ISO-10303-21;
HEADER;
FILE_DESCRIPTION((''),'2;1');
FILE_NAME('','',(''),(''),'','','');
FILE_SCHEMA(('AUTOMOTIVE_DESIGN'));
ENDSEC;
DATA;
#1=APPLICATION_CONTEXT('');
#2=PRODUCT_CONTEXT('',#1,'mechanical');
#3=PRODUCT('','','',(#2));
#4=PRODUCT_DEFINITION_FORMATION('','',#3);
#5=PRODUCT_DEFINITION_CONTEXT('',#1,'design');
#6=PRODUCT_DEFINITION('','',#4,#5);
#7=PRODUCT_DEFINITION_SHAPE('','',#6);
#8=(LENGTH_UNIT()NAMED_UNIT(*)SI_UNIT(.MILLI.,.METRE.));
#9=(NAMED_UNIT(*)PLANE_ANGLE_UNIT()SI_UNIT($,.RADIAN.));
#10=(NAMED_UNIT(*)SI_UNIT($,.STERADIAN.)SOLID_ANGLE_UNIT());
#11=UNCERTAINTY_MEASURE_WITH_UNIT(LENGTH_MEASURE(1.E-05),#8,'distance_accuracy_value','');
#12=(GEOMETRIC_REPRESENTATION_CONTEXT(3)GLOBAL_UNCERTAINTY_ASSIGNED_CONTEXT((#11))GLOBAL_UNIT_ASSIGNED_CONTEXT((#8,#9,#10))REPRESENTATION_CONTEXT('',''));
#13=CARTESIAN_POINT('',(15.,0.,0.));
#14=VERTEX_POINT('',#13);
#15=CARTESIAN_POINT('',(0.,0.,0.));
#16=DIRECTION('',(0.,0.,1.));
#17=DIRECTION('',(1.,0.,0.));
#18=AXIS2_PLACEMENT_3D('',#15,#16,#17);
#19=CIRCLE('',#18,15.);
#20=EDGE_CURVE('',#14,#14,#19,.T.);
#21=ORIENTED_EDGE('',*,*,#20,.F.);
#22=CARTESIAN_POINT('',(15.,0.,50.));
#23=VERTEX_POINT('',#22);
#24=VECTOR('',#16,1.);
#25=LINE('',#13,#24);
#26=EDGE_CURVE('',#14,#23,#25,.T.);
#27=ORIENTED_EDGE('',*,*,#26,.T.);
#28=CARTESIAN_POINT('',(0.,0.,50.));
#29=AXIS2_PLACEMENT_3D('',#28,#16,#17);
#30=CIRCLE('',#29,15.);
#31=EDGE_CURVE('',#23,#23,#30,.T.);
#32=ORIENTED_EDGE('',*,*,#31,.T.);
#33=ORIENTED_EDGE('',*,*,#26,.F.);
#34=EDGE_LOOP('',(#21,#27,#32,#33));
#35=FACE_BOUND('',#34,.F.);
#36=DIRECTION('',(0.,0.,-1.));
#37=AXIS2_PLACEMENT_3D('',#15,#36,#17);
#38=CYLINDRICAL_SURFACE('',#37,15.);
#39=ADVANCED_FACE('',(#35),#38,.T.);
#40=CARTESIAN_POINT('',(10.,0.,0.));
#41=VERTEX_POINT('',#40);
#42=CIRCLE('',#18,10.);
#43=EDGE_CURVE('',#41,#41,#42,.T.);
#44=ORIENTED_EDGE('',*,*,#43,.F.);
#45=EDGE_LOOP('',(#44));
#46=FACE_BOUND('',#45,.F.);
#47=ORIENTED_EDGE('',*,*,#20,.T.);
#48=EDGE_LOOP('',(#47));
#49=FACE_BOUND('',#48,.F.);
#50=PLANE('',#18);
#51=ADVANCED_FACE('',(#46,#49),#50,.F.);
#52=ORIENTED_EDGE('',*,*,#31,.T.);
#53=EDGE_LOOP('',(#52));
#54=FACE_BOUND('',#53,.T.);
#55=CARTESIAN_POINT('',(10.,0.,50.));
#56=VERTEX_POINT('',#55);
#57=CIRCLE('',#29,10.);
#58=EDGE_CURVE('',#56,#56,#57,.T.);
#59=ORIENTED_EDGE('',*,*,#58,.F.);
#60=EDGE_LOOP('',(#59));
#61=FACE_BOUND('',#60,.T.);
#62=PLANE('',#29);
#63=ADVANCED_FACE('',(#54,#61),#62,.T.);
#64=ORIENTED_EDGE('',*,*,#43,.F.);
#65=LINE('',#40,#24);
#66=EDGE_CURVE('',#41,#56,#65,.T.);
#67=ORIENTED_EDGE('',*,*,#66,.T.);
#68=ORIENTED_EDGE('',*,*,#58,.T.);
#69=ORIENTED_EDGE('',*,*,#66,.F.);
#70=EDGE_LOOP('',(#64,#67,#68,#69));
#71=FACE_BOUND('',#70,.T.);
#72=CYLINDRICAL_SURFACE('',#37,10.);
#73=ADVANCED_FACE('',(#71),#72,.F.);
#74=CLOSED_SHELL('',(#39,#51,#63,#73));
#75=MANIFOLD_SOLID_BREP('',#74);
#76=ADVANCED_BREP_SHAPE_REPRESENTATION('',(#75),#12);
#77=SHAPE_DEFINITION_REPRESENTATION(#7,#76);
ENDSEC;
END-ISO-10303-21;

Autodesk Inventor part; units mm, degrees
ref_plane "YZ Plane" through (0, 0, 0) normal (1, 0, 0) x (0, 1, 0)
ref_plane "XZ Plane" through (0, 0, 0) normal (0, 1, 0) x (-1, 0, 0)
sketch "Sketch1" plane through (0, 0, 0) normal (0, 0, 1) x (1, 0, 0)
  circle A0 centre (0, 0) radius 10 projected
  circle A1 centre (0, 0) radius 15
  dimension "d0" = 5
ref_plane "Work Plane1" through (-11.1146, -11.1146, 50) normal (0, 0, 1) x (1, 0, 0)
extrude "Extrusion1" add sketch "Sketch1" along normal up to surface (50 mm away)
properties part number "spline Hub"
